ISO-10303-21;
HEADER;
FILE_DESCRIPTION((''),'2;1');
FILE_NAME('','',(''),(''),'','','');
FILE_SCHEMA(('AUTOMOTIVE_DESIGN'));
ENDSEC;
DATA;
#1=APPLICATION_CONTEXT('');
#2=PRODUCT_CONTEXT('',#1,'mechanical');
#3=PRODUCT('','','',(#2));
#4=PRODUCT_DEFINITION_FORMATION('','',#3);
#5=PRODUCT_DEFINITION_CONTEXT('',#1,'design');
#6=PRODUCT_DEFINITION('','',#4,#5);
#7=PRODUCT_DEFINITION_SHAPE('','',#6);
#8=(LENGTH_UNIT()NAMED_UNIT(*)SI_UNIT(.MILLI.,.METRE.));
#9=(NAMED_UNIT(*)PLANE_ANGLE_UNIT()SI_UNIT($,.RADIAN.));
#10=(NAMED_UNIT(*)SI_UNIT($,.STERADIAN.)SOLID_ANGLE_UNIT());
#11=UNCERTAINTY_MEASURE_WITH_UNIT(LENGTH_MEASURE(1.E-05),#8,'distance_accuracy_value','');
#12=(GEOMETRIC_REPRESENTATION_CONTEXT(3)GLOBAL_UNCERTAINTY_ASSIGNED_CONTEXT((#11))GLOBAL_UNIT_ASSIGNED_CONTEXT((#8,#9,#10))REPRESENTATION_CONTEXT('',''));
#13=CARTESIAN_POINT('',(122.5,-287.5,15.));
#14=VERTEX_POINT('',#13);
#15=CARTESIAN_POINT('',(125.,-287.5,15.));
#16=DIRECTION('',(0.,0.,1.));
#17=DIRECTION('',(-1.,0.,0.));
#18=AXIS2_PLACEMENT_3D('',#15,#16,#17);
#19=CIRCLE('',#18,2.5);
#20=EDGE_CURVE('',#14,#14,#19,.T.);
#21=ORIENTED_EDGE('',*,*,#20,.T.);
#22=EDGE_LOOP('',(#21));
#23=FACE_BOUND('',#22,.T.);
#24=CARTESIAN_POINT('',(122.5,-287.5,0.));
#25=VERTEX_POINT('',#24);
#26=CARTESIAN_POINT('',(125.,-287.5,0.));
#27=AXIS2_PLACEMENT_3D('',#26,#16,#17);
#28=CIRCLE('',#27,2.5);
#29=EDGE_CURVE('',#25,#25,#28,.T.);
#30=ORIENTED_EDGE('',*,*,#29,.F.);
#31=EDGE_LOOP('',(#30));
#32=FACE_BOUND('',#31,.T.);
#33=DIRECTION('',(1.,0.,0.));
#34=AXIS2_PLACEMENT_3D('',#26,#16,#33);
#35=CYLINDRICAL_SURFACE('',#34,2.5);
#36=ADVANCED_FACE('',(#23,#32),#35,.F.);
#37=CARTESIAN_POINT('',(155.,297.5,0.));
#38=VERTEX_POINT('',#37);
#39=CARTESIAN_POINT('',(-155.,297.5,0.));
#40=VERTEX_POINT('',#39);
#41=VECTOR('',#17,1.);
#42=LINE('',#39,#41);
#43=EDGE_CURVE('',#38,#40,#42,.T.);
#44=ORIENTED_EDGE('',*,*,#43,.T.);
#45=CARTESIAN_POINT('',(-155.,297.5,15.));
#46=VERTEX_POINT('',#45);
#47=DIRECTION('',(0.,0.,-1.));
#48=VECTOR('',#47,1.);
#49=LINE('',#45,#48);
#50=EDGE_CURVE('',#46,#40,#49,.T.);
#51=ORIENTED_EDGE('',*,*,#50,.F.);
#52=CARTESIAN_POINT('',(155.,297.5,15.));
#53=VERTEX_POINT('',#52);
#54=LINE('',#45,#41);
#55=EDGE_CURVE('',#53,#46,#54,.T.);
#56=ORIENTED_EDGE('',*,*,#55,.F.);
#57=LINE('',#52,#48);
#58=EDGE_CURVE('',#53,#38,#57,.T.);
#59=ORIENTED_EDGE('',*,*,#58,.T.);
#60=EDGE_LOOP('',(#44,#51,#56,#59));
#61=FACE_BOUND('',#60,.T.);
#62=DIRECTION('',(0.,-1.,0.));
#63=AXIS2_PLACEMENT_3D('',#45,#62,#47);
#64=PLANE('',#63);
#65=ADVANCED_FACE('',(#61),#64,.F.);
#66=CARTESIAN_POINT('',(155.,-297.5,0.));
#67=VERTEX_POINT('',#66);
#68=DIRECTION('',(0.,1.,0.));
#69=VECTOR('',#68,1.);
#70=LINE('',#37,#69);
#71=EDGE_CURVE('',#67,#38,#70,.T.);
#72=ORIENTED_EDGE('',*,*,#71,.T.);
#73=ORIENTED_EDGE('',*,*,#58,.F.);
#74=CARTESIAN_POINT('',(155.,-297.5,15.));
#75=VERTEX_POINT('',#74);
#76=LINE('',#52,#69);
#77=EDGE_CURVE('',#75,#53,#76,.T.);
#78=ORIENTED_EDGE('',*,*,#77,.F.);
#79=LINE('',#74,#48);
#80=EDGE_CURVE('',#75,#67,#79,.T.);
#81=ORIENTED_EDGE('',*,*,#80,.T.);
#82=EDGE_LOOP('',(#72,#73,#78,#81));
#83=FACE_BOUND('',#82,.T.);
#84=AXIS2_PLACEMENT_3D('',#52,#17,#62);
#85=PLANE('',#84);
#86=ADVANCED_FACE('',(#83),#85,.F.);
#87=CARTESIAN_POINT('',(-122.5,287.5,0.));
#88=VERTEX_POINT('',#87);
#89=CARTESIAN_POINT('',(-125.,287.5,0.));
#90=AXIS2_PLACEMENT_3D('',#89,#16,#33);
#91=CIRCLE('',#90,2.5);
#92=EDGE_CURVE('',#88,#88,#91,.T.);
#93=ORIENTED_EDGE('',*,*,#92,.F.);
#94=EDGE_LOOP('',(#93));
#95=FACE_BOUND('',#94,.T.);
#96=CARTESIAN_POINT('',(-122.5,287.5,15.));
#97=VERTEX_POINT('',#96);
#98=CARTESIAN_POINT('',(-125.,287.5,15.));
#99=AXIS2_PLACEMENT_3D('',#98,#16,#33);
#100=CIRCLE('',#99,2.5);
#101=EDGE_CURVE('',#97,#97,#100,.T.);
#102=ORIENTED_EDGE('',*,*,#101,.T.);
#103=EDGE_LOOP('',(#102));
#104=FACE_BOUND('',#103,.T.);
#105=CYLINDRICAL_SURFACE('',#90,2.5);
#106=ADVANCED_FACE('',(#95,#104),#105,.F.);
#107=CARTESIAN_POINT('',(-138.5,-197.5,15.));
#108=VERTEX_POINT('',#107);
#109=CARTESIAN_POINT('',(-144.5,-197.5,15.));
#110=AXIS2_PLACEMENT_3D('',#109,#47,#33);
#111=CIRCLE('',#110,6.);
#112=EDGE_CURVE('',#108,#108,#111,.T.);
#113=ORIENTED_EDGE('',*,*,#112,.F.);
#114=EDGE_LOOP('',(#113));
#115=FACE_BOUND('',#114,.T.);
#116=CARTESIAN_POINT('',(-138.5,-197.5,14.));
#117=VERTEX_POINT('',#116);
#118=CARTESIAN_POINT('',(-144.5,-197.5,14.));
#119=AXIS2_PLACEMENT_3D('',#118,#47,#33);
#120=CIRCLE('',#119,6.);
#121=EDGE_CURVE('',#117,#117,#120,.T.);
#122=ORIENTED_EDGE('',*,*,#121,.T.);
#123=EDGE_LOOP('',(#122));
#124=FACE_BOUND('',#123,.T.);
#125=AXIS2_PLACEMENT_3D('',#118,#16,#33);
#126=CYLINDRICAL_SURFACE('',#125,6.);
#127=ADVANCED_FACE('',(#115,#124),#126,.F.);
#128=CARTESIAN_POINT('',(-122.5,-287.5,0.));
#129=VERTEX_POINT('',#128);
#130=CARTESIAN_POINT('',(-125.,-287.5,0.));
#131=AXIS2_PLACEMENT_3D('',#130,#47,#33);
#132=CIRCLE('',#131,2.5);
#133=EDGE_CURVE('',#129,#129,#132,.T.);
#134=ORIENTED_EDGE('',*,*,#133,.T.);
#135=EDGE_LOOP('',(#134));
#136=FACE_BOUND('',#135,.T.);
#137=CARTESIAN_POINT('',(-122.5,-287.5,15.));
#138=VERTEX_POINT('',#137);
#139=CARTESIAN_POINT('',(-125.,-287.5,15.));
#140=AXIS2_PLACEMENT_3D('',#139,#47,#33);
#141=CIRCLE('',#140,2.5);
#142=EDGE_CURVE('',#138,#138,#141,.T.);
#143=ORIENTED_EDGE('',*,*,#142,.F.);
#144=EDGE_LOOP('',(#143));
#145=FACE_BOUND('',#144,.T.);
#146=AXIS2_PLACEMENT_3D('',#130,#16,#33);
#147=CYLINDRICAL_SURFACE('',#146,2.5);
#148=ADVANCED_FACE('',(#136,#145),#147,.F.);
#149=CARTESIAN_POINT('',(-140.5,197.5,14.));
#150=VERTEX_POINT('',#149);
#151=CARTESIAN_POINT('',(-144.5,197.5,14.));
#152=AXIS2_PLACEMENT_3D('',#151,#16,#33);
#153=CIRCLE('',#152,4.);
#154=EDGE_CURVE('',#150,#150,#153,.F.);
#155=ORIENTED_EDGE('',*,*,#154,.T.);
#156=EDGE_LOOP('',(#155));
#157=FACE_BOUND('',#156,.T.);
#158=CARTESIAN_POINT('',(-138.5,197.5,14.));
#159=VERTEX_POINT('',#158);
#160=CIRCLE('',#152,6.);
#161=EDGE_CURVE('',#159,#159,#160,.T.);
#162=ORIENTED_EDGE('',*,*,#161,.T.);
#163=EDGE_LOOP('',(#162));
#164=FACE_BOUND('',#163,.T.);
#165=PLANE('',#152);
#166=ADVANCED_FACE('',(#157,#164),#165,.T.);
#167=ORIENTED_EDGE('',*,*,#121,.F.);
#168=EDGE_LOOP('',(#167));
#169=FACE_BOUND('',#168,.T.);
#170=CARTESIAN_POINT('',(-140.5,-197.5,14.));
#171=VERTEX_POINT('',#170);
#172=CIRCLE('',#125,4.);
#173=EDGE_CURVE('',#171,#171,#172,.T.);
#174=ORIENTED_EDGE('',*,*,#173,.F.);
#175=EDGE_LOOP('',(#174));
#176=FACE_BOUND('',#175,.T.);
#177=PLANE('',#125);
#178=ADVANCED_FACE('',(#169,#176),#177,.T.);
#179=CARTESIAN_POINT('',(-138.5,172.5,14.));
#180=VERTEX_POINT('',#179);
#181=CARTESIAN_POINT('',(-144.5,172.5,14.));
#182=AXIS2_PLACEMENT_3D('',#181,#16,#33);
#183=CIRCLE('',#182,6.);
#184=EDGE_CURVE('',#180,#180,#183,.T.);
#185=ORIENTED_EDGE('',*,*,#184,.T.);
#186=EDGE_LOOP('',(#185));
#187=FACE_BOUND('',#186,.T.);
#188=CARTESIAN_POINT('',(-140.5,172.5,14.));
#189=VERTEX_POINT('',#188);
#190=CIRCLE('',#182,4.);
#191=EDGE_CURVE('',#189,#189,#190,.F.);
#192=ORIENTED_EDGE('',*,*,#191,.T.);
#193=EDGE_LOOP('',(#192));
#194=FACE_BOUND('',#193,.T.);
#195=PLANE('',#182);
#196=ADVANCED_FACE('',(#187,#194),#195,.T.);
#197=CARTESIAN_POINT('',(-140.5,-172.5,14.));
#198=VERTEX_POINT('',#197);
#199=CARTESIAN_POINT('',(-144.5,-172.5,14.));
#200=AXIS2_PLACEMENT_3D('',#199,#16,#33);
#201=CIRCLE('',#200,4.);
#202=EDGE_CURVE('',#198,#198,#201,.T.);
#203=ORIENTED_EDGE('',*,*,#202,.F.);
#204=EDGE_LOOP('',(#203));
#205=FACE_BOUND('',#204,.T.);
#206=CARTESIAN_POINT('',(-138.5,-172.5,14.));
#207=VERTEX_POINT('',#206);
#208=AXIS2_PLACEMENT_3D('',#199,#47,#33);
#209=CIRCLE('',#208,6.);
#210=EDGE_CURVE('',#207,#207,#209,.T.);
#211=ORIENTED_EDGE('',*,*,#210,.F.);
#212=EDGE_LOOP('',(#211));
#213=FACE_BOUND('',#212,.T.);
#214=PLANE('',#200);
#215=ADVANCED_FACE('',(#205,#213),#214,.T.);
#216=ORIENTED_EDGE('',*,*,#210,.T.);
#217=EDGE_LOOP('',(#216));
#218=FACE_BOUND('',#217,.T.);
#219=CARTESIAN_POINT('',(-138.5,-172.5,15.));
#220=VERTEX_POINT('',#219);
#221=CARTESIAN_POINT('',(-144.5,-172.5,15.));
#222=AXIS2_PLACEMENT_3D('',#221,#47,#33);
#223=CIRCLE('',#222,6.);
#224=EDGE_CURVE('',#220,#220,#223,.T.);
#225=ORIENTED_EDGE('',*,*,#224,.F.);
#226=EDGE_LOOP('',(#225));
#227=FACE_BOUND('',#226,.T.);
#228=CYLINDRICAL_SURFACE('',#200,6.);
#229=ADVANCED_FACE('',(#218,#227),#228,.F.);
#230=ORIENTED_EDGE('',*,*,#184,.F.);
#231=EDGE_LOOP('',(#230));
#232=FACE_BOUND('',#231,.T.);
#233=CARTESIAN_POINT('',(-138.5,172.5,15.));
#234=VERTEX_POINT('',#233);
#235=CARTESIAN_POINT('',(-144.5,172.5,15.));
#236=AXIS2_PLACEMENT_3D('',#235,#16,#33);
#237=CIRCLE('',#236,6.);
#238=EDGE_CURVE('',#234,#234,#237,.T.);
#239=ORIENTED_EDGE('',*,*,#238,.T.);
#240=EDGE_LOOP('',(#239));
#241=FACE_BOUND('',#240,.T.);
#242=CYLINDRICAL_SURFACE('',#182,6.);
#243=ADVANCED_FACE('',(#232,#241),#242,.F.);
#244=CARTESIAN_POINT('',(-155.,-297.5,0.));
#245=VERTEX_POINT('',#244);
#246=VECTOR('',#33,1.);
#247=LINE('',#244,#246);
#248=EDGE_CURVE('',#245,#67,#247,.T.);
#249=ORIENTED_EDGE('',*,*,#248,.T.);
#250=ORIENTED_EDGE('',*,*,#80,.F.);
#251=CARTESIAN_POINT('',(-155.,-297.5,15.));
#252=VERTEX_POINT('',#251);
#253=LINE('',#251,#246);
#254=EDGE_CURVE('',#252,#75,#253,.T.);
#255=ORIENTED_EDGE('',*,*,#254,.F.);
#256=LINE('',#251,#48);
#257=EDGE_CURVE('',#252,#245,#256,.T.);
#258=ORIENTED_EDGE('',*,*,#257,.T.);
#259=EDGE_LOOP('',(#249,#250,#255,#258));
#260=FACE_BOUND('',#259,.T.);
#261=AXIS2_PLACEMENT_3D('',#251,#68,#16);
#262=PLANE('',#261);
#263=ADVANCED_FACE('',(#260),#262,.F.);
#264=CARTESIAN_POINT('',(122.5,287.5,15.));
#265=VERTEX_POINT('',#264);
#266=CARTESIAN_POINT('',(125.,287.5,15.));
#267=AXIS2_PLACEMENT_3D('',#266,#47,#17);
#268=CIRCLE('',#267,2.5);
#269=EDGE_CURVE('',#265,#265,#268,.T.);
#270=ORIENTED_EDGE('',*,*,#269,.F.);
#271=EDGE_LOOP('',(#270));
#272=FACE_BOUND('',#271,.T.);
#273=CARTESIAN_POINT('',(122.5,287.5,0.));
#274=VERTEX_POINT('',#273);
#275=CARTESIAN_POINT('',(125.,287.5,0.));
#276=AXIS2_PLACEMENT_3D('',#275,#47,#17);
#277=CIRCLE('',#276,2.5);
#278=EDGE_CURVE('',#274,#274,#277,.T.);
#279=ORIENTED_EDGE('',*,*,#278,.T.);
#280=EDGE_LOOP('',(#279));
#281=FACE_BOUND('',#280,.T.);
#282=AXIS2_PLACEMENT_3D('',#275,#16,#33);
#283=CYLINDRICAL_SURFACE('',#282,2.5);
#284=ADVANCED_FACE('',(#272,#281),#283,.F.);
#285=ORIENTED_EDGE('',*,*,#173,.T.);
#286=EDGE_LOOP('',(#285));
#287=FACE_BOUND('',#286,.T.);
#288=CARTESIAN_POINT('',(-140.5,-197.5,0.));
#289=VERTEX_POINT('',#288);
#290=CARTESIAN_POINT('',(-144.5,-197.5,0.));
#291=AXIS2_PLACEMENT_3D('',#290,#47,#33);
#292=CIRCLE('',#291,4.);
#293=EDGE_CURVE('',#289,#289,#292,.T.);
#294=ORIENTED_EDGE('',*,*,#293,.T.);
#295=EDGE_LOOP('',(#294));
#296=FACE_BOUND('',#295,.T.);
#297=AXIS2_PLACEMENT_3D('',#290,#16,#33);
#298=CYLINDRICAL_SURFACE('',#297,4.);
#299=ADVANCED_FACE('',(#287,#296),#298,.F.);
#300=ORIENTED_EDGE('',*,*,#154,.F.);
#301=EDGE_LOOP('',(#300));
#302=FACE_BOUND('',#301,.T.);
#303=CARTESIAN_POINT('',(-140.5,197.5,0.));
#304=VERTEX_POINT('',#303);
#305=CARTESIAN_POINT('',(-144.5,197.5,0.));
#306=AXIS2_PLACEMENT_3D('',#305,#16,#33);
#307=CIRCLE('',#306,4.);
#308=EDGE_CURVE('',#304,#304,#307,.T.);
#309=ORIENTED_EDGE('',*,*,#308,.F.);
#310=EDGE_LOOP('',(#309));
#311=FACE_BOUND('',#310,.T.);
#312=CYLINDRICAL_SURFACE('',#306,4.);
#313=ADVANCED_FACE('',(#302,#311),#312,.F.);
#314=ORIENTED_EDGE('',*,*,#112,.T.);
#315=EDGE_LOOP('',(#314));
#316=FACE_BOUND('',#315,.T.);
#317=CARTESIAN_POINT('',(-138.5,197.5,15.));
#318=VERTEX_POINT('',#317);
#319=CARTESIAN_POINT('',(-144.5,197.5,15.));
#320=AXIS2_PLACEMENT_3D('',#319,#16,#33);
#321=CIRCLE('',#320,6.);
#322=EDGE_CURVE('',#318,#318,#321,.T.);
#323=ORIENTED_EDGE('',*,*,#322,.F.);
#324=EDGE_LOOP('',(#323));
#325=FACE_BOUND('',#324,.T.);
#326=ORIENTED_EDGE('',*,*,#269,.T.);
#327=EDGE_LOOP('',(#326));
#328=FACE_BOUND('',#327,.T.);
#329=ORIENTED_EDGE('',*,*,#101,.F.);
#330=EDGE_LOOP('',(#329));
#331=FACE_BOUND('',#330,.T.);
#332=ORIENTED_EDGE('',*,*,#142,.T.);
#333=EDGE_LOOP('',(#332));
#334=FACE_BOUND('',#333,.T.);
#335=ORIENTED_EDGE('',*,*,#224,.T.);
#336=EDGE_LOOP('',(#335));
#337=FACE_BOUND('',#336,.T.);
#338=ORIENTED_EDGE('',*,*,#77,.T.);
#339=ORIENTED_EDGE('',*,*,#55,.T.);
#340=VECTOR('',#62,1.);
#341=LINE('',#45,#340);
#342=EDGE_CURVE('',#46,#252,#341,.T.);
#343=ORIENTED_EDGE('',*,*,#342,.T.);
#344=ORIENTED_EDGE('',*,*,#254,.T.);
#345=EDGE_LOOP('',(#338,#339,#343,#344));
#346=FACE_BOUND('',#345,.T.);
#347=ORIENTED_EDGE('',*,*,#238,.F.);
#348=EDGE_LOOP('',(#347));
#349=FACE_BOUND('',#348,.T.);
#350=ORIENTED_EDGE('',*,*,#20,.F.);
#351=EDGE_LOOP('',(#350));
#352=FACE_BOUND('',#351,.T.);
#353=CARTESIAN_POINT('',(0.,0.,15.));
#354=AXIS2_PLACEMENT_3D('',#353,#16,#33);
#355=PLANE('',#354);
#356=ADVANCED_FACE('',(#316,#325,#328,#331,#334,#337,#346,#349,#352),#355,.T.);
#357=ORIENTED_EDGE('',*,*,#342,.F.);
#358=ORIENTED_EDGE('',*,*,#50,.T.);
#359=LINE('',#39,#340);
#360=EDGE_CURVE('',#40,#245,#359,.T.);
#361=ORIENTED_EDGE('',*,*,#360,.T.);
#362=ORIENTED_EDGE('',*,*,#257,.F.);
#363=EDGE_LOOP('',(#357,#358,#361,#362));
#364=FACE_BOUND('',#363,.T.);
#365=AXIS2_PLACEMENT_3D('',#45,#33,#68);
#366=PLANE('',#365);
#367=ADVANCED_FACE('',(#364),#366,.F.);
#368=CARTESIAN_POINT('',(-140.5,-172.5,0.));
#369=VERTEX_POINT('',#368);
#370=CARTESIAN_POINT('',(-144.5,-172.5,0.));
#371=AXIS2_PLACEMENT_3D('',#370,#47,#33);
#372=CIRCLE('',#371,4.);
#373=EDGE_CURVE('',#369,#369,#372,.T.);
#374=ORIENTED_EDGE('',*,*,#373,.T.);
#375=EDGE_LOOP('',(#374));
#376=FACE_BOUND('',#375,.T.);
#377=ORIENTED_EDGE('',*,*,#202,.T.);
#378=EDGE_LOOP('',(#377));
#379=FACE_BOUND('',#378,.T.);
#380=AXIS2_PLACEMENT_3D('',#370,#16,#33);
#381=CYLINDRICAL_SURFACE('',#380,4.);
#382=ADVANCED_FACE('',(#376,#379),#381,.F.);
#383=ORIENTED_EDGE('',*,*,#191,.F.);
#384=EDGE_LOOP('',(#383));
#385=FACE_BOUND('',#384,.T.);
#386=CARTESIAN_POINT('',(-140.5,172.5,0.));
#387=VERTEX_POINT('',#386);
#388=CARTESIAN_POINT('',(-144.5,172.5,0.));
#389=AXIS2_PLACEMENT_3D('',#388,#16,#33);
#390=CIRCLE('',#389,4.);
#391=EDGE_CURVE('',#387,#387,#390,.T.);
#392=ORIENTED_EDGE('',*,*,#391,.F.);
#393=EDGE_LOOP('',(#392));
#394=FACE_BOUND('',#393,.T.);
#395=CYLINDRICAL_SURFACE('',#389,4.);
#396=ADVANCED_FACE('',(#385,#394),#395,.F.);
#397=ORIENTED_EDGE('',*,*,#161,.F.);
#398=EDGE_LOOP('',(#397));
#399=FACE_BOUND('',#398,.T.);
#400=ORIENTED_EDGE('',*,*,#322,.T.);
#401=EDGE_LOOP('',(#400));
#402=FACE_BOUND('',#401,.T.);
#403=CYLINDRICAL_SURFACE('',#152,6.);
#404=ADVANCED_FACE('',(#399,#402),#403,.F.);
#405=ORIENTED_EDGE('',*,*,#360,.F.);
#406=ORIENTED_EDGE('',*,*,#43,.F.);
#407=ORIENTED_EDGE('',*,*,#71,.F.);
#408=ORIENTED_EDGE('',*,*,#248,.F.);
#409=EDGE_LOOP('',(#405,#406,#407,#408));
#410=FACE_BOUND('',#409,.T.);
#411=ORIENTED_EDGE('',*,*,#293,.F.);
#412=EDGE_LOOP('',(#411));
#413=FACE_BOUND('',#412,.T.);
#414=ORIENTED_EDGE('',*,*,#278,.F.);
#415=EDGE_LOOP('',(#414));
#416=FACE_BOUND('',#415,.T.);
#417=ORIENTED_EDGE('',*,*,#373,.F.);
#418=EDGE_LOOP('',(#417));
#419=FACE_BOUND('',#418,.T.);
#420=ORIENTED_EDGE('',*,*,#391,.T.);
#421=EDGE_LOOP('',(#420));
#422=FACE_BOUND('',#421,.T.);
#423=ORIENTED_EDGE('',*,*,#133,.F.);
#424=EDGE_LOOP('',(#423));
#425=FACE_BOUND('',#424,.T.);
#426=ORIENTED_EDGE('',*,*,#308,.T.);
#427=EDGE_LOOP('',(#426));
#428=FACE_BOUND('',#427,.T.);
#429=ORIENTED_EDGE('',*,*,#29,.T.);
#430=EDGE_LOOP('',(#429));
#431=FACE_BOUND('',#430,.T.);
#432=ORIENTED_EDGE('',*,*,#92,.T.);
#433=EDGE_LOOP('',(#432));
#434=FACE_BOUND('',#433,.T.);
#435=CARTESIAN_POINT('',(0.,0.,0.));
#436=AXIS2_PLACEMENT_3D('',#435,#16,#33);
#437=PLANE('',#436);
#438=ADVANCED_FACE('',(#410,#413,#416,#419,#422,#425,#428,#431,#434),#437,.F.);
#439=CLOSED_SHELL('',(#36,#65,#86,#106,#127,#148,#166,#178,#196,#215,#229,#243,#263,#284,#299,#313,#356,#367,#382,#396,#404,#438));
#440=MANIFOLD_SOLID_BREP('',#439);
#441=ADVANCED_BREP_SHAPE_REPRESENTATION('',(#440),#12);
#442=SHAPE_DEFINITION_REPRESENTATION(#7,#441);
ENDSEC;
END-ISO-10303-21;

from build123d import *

# Parameters (mm, degrees)
SKETCH_1_W               = 310
SKETCH_1_H               = 595
EXTRUDE_1_DEPTH          = 15
SKETCH_2_R               = 4
CUT_EXTRUDE_2_DEPTH      = 336.791974294
SKETCH_2_5_R             = 2.5
CUT_EXTRUDE_3_DEPTH      = 336.791974294
MIRROR_3_COPY_1_SKETCH_R = 2.5
MIRROR_3_COPY_1_DEPTH    = 336.791974294
MIRROR_3_COPY_2_SKETCH_R = 2.5
MIRROR_3_COPY_2_DEPTH    = 336.791974294
SKETCH_3_R               = 6
CUT_EXTRUDE_4_DEPTH      = 1


with BuildPart() as part:
    # ｽｹｯﾁ1 → ﾎﾞｽ - 押し出し1 (new body)
    with BuildSketch(Plane.XY):
        Rectangle(SKETCH_1_W, SKETCH_1_H)
    extrude(amount=EXTRUDE_1_DEPTH)

    # ｽｹｯﾁ2 → ｶｯﾄ - 押し出し2 (cut, through all)
    with BuildSketch(Plane.XY.offset(15)):
        with Locations((-144.5, 197.5)):
            Circle(SKETCH_2_R)
        with Locations((-144.5, 172.5)):
            Circle(SKETCH_2_R)
    cut_extrude_2 = extrude(amount=-CUT_EXTRUDE_2_DEPTH, mode=Mode.SUBTRACT)

    # ｽｹｯﾁ2<5> → ｶｯﾄ - 押し出し3 (cut, through all)
    with BuildSketch(Plane.XY.offset(15)):
        with Locations((-125, 287.5)):
            Circle(SKETCH_2_5_R)
    cut_extrude_3 = extrude(amount=-CUT_EXTRUDE_3_DEPTH, mode=Mode.SUBTRACT)

    # ﾐﾗｰ1: ｶｯﾄ - 押し出し3 across plane
    add(cut_extrude_3.mirror(Plane.ZX), mode=Mode.SUBTRACT)

    # ﾐﾗｰ2: ｶｯﾄ - 押し出し2 across plane
    add(cut_extrude_2.mirror(Plane.ZX), mode=Mode.SUBTRACT)

    # ﾐﾗｰ3 copy 1 sketch → ﾐﾗｰ3 copy 1 (cut, through all)
    with BuildSketch(Plane(origin=(0, 0, 15), x_dir=(-1, 0, 0), z_dir=(0, 0, 1))):
        with Locations((-125, 287.5)):
            Circle(MIRROR_3_COPY_1_SKETCH_R)
    extrude(amount=-MIRROR_3_COPY_1_DEPTH, mode=Mode.SUBTRACT)

    # ﾐﾗｰ3 copy 2 sketch → ﾐﾗｰ3 copy 2 (cut, through all)
    with BuildSketch(Plane(origin=(0, 0, 15), x_dir=(-1, 0, 0), z_dir=(0, 0, 1))):
        with Locations((-125, -287.5)):
            Circle(MIRROR_3_COPY_2_SKETCH_R)
    extrude(amount=-MIRROR_3_COPY_2_DEPTH, mode=Mode.SUBTRACT)

    # ｽｹｯﾁ3 → ｶｯﾄ - 押し出し4 (cut)
    with BuildSketch(Plane.XY.offset(15)):
        with Locations((-144.5, 197.5)):
            Circle(SKETCH_3_R)
        with Locations((-144.5, 172.5)):
            Circle(SKETCH_3_R)
    cut_extrude_4 = extrude(amount=-CUT_EXTRUDE_4_DEPTH, mode=Mode.SUBTRACT)

    # ﾐﾗｰ4: ｶｯﾄ - 押し出し4 across plane
    add(cut_extrude_4.mirror(Plane.ZX), mode=Mode.SUBTRACT)


solid = part.part
